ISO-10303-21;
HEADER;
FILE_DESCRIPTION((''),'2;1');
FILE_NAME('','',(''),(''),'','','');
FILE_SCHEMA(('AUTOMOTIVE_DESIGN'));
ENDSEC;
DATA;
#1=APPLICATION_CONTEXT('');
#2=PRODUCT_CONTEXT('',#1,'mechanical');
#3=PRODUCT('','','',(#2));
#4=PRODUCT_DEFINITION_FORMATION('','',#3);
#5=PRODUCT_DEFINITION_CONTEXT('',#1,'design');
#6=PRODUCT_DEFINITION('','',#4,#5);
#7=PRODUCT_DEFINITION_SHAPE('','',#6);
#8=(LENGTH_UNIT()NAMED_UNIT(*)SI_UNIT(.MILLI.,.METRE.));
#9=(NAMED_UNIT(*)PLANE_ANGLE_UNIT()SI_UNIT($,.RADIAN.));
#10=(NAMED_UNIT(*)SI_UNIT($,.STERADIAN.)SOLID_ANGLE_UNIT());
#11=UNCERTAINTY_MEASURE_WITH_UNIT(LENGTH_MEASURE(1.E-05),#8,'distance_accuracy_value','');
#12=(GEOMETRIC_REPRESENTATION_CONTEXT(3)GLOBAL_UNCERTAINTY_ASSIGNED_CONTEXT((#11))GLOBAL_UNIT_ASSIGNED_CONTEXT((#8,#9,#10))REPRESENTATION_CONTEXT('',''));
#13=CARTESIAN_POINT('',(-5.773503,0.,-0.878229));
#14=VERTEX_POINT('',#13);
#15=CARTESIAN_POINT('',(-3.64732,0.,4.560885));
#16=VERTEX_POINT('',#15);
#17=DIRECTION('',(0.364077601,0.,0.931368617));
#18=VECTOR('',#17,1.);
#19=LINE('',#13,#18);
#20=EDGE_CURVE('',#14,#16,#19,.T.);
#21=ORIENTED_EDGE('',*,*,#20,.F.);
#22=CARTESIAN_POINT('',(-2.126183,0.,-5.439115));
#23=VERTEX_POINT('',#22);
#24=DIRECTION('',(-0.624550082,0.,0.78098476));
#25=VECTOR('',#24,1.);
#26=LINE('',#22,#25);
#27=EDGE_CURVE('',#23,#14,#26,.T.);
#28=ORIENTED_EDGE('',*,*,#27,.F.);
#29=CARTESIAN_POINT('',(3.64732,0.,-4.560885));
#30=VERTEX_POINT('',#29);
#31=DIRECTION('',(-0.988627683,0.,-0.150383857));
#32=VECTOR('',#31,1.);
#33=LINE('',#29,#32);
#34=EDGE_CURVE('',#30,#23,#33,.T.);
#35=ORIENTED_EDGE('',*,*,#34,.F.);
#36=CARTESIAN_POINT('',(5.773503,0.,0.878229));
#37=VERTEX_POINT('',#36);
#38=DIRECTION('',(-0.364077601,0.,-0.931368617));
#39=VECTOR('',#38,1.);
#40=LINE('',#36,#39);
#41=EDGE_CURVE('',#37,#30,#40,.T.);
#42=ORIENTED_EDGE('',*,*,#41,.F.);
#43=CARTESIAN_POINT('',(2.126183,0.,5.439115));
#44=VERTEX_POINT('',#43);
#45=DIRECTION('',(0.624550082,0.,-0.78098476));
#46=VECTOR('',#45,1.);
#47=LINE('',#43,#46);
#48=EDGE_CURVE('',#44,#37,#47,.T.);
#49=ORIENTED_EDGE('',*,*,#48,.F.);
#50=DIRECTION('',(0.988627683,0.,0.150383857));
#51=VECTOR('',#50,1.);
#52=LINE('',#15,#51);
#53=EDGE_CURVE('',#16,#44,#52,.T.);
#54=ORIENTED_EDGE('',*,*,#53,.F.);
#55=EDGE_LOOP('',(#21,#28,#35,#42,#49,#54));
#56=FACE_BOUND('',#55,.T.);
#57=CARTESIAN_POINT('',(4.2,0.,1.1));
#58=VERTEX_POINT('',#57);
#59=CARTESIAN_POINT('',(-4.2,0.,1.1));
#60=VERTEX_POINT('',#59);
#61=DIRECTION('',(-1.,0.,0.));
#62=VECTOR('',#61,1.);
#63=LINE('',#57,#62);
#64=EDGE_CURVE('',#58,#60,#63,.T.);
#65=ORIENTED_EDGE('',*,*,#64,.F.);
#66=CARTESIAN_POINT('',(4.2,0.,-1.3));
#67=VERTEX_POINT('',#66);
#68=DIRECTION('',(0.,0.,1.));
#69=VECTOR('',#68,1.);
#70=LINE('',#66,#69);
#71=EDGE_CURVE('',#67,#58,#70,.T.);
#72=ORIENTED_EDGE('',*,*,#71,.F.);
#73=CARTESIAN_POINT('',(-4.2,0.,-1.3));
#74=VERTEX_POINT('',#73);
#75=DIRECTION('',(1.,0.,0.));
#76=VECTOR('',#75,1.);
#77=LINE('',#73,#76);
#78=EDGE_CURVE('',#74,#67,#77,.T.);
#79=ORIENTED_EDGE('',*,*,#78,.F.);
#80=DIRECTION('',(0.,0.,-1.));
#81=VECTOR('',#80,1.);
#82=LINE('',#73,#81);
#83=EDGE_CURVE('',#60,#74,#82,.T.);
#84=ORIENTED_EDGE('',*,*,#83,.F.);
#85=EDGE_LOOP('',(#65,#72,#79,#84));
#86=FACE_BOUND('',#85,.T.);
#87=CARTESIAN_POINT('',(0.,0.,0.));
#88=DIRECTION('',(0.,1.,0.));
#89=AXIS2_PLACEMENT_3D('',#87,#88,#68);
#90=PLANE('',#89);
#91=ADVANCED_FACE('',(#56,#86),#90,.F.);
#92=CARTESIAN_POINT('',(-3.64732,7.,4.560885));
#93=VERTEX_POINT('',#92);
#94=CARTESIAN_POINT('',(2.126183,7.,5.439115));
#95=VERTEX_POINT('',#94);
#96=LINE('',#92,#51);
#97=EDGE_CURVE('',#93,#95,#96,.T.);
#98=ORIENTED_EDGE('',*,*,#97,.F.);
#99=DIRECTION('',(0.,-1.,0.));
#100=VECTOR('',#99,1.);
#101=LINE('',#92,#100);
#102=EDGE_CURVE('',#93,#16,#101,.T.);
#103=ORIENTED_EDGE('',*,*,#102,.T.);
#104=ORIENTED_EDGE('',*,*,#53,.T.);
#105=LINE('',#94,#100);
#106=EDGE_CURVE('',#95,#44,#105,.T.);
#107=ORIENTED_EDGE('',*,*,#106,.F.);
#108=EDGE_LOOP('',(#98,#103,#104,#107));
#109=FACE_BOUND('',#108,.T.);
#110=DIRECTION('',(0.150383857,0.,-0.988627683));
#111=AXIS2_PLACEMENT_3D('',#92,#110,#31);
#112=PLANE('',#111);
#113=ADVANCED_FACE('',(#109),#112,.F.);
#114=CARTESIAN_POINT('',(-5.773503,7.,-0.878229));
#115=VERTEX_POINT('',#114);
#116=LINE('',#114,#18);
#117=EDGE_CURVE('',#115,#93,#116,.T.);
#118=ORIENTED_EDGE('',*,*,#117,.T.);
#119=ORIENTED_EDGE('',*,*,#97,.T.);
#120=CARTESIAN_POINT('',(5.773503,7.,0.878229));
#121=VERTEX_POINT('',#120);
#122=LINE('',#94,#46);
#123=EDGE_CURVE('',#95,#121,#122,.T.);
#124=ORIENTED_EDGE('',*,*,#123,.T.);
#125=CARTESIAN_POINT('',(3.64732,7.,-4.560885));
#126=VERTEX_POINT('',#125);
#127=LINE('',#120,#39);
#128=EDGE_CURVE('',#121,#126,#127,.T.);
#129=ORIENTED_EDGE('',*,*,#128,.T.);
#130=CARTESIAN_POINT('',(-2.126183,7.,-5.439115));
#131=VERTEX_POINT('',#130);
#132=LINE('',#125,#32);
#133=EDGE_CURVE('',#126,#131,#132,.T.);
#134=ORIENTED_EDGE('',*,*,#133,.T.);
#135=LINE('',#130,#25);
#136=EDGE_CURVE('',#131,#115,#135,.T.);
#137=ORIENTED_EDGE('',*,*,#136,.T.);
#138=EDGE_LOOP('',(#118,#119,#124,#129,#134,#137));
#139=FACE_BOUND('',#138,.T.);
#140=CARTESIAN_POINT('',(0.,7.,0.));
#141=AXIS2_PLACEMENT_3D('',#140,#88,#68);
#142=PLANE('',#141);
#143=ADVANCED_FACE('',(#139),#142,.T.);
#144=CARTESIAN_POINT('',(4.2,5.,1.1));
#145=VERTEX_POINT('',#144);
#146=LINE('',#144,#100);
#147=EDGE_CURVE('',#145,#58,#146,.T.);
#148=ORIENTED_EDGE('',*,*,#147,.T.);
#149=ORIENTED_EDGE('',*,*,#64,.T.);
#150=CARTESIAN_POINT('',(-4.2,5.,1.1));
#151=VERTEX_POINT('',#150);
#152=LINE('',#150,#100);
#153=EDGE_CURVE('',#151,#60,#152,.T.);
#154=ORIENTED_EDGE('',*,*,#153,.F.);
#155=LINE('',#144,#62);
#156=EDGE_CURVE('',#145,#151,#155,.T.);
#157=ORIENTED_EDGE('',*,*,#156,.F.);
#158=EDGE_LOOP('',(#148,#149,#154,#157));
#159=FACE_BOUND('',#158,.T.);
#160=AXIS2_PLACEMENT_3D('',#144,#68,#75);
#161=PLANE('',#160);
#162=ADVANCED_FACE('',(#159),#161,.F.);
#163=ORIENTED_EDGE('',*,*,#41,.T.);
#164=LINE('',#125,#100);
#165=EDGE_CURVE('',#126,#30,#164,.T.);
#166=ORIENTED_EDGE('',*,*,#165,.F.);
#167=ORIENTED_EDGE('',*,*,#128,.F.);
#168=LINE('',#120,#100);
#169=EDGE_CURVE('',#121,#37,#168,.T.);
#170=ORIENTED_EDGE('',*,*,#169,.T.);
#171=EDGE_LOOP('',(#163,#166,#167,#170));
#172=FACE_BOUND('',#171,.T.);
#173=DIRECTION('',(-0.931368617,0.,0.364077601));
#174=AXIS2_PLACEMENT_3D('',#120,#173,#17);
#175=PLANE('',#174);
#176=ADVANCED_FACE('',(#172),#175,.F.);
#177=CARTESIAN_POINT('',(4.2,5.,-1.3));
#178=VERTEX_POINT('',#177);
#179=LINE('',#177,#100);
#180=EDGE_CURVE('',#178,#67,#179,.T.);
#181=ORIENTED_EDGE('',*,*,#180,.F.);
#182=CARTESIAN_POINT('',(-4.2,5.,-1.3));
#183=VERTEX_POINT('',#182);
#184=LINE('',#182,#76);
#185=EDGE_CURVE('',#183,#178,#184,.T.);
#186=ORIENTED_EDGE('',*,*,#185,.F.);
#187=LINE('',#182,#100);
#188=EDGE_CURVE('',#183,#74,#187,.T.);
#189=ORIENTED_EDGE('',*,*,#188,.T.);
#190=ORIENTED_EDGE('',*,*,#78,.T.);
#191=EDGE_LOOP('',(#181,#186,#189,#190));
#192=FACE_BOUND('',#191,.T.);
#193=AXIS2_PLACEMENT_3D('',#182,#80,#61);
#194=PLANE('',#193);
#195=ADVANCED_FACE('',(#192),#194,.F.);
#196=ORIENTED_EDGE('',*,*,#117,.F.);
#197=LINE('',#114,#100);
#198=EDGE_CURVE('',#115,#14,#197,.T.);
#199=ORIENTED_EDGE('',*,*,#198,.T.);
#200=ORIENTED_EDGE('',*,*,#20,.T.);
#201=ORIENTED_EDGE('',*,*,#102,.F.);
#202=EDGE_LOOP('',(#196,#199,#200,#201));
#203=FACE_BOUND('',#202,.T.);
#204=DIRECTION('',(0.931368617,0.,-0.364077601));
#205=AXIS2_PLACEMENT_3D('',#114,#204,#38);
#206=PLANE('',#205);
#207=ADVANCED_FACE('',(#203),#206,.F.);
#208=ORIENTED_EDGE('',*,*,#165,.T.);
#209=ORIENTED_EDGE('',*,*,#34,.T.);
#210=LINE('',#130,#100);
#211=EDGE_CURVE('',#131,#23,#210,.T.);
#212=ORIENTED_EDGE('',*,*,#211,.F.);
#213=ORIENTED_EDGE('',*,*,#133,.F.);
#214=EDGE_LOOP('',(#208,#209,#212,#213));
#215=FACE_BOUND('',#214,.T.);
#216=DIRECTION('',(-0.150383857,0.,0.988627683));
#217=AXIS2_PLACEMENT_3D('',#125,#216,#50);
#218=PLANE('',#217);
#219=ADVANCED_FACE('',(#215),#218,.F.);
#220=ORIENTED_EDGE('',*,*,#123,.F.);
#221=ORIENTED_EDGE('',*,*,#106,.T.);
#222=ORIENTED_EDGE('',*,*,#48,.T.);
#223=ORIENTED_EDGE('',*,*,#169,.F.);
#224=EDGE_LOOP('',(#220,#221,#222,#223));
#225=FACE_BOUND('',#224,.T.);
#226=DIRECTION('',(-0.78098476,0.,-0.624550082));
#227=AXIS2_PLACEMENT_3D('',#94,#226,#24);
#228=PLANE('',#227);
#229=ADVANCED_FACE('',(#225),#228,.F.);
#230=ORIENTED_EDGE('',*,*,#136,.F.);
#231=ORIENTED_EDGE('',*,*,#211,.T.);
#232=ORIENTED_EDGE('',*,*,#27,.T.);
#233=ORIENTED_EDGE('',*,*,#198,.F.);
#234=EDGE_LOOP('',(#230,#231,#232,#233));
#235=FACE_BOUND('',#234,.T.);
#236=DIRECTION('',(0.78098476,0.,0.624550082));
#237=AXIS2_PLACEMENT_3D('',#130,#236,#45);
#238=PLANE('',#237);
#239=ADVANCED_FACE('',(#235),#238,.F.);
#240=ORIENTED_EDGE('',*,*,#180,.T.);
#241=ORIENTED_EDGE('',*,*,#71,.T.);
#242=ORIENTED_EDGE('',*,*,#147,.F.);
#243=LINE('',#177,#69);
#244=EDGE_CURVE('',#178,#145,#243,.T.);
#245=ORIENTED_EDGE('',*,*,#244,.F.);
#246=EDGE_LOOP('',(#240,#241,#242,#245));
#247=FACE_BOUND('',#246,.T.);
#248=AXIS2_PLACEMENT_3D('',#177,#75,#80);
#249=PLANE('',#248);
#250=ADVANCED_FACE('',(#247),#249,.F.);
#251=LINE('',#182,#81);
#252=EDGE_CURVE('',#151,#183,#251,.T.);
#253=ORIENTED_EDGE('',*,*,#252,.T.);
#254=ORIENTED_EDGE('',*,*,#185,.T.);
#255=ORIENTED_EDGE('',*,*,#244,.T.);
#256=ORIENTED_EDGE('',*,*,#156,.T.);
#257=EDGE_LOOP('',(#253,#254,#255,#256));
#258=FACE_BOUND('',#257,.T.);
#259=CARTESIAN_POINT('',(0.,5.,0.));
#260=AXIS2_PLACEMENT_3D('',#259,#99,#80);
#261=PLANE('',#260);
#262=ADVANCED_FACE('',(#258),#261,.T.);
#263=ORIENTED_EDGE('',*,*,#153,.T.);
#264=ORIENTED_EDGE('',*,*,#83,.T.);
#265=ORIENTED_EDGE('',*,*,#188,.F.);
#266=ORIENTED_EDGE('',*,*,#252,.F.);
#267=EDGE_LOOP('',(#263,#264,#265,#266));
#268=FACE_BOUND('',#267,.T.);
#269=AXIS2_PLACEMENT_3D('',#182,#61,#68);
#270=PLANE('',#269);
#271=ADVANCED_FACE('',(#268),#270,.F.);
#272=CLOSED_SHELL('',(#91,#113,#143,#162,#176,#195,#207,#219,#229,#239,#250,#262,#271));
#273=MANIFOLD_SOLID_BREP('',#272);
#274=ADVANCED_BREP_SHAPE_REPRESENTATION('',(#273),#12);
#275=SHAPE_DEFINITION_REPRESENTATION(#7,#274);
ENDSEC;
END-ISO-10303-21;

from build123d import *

# Parameters (mm, degrees)
EXTRUDE_1_DEPTH     = 7
SKETCH_2_W          = 8.4
SKETCH_2_H          = 2.4
CUT_EXTRUDE_1_DEPTH = 5


with BuildPart() as part:
    # 草图1 → 凸台-拉伸1 (new body)
    with BuildSketch(Plane(origin=(0, 0, 0), x_dir=(1, 0, 0), z_dir=(0, 1, 0))):
        Polygon((3.647320061, 4.560885447), (-2.12618263, 5.439114553), (-5.773502692, 0.878229105), (-3.647320061, -4.560885447), (2.12618263, -5.439114553), (5.773502692, -0.878229105), align=None)
    extrude(amount=EXTRUDE_1_DEPTH)

    # 草图2 → 切除-拉伸1 (cut)
    with BuildSketch(Plane(origin=(0, 0, 0), x_dir=(-1, 0, 0), z_dir=(0, -1, 0))):
        with Locations((0, 0.1)):
            Rectangle(SKETCH_2_W, SKETCH_2_H)
    extrude(amount=-CUT_EXTRUDE_1_DEPTH, mode=Mode.SUBTRACT)


solid = part.part
